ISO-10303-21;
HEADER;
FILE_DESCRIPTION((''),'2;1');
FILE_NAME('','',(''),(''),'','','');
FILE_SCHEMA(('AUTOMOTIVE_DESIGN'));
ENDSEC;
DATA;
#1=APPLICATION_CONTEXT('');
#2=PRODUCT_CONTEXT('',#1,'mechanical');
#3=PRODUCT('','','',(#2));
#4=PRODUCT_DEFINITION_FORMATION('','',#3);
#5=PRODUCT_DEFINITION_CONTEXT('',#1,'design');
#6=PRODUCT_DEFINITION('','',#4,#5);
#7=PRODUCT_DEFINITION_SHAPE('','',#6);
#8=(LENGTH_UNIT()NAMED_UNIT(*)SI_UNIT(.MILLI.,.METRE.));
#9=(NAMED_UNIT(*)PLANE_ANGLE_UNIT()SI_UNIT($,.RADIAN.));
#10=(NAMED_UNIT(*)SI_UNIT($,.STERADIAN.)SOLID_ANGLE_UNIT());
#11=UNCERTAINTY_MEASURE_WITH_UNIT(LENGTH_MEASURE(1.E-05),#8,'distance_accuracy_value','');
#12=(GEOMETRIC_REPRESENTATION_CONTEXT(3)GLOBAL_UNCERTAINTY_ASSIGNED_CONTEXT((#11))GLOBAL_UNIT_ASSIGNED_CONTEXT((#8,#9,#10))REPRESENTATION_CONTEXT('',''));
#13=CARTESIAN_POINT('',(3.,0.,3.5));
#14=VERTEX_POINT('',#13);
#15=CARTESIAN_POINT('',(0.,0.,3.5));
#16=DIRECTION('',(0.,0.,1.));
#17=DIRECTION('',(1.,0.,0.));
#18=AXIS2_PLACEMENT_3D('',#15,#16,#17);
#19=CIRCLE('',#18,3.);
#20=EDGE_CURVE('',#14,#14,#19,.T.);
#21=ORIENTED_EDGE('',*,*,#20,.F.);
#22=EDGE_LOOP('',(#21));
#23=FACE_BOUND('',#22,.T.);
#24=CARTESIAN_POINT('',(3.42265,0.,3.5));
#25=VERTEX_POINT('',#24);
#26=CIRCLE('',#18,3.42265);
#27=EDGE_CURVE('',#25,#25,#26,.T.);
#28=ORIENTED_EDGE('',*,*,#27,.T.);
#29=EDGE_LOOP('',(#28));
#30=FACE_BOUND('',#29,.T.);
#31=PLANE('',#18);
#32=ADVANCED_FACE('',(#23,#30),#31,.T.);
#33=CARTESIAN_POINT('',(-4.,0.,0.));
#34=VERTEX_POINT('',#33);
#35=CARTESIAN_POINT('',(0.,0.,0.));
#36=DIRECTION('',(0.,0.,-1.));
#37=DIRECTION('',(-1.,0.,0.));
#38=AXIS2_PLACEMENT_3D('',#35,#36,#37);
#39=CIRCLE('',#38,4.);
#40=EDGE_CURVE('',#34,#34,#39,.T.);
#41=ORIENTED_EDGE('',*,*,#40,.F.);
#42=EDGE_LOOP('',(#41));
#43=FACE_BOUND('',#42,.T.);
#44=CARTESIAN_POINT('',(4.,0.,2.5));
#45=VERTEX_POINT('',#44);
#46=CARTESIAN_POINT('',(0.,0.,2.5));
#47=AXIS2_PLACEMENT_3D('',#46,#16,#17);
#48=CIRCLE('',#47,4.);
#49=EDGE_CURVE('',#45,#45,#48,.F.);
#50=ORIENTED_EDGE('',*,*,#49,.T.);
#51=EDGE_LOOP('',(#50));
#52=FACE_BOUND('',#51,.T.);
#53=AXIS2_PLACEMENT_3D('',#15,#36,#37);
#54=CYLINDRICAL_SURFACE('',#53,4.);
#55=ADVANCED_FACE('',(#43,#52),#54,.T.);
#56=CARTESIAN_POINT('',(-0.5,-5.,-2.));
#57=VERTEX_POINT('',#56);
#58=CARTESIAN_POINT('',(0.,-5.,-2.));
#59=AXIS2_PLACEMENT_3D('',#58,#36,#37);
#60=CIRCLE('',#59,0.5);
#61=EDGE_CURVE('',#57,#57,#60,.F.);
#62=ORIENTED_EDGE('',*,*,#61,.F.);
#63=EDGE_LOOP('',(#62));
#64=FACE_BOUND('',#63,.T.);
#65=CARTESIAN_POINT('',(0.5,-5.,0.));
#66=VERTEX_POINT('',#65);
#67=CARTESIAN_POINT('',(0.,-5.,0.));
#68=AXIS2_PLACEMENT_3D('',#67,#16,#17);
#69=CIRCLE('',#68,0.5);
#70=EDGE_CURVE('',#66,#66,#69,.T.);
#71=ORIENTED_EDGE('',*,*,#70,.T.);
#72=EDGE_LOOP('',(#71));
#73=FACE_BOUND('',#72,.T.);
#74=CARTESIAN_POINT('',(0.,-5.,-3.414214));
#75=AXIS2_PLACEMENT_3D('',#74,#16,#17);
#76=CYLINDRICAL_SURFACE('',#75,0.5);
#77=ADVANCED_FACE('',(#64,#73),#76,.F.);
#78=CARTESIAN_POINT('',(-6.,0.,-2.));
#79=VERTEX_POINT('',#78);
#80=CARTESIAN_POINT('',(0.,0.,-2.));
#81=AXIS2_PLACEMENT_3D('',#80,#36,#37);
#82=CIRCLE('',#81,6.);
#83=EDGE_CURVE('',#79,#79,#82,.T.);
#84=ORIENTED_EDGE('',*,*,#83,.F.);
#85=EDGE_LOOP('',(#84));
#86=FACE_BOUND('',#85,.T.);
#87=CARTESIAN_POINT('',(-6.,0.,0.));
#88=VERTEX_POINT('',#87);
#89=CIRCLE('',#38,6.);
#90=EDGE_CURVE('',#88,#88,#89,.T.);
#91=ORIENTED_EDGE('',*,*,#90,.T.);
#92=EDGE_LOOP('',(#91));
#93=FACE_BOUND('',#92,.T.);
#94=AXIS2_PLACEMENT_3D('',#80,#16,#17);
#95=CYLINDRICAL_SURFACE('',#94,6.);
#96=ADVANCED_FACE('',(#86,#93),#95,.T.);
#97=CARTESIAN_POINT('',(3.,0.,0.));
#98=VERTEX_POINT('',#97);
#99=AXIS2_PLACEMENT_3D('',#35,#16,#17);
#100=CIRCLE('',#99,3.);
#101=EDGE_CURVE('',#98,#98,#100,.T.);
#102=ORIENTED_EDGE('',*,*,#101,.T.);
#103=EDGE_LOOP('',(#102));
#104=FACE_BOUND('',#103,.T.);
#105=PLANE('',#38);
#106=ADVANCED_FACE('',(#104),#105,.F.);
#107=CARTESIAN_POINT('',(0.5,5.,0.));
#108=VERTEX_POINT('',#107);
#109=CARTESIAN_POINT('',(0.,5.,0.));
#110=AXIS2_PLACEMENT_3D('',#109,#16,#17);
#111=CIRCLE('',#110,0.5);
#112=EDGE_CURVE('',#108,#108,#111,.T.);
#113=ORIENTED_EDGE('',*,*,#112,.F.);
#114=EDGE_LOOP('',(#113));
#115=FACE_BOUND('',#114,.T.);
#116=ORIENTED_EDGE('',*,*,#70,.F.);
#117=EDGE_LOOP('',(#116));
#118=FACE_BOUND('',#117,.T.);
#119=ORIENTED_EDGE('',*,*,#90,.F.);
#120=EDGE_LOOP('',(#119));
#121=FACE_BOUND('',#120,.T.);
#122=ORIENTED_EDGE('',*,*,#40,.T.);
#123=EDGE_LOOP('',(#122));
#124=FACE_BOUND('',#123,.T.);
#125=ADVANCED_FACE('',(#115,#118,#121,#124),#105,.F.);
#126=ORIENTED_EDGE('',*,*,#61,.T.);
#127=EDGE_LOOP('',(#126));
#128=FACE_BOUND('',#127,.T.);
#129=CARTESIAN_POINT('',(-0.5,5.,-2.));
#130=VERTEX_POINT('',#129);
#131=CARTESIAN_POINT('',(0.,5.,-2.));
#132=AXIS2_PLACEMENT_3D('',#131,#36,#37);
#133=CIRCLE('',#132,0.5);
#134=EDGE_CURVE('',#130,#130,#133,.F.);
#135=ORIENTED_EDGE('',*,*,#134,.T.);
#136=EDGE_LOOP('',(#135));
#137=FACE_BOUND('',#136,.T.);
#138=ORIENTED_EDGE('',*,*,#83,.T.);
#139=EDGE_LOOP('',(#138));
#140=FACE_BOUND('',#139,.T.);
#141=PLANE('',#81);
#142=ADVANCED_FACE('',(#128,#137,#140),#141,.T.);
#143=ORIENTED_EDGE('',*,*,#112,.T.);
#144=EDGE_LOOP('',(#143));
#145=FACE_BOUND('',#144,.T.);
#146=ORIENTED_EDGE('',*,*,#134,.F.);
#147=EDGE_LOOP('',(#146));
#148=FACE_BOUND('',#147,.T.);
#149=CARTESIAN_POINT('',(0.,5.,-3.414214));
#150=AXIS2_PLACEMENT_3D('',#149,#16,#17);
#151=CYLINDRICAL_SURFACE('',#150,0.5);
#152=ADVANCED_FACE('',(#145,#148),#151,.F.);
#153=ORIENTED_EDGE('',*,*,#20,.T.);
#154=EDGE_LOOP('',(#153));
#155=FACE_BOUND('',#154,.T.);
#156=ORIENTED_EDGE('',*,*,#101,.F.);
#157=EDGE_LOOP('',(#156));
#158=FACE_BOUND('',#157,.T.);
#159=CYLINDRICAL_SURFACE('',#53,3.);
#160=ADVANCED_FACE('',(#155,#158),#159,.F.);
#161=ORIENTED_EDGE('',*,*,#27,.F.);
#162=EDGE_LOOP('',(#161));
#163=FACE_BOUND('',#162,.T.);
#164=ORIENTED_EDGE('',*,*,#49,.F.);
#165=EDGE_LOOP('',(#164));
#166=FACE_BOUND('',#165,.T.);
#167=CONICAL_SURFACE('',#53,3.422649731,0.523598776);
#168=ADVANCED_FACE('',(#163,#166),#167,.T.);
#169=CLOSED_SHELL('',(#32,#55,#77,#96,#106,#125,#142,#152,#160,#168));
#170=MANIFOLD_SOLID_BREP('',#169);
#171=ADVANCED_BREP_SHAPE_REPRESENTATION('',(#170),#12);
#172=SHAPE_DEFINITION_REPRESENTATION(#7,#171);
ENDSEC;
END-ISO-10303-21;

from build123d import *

# Parameters (mm, degrees)
SKETCH1_R           = 4
SKETCH1_R_2         = 3
BOSS_EXTRUDE1_DEPTH = 3.5
CHAMFER1_SIZE       = 1
CHAMFER1_SIZE2      = 0.577350269
SKETCH2_R           = 6
BOSS_EXTRUDE2_DEPTH = 2
SKETCH3_R           = 0.5
CUT_EXTRUDE1_DEPTH  = 2


with BuildPart() as part:
    # Sketch1 → Boss-Extrude1 (new body)
    with BuildSketch(Plane.XY):
        Circle(SKETCH1_R)
        Circle(SKETCH1_R_2, mode=Mode.SUBTRACT)
    extrude(amount=BOSS_EXTRUDE1_DEPTH)

    # Chamfer1
    chamfer1_edges = [part.edges().sort_by_distance(p)[0] for p in [
        (-4, 0, 3.5),
    ]]
    chamfer1_side = [part.faces().sort_by_distance(p)[0] for p in [
        (-4, 0, 1.75),
    ]]
    chamfer(chamfer1_edges, length=CHAMFER1_SIZE, length2=CHAMFER1_SIZE2, reference=chamfer1_side[0])

    # Sketch2 → Boss-Extrude2 (add)
    with BuildSketch(Plane(origin=(0, 0, 0), x_dir=(-1, 0, 0), z_dir=(0, 0, -1))):
        Circle(SKETCH2_R)
    extrude(amount=BOSS_EXTRUDE2_DEPTH)

    # Sketch3 → Cut-Extrude1 (cut)
    with BuildSketch(Plane.XY):
        with Locations((0, 5)):
            Circle(SKETCH3_R)
        with Locations((0, -5)):
            Circle(SKETCH3_R)
    extrude(amount=-CUT_EXTRUDE1_DEPTH, mode=Mode.SUBTRACT)


solid = part.part
